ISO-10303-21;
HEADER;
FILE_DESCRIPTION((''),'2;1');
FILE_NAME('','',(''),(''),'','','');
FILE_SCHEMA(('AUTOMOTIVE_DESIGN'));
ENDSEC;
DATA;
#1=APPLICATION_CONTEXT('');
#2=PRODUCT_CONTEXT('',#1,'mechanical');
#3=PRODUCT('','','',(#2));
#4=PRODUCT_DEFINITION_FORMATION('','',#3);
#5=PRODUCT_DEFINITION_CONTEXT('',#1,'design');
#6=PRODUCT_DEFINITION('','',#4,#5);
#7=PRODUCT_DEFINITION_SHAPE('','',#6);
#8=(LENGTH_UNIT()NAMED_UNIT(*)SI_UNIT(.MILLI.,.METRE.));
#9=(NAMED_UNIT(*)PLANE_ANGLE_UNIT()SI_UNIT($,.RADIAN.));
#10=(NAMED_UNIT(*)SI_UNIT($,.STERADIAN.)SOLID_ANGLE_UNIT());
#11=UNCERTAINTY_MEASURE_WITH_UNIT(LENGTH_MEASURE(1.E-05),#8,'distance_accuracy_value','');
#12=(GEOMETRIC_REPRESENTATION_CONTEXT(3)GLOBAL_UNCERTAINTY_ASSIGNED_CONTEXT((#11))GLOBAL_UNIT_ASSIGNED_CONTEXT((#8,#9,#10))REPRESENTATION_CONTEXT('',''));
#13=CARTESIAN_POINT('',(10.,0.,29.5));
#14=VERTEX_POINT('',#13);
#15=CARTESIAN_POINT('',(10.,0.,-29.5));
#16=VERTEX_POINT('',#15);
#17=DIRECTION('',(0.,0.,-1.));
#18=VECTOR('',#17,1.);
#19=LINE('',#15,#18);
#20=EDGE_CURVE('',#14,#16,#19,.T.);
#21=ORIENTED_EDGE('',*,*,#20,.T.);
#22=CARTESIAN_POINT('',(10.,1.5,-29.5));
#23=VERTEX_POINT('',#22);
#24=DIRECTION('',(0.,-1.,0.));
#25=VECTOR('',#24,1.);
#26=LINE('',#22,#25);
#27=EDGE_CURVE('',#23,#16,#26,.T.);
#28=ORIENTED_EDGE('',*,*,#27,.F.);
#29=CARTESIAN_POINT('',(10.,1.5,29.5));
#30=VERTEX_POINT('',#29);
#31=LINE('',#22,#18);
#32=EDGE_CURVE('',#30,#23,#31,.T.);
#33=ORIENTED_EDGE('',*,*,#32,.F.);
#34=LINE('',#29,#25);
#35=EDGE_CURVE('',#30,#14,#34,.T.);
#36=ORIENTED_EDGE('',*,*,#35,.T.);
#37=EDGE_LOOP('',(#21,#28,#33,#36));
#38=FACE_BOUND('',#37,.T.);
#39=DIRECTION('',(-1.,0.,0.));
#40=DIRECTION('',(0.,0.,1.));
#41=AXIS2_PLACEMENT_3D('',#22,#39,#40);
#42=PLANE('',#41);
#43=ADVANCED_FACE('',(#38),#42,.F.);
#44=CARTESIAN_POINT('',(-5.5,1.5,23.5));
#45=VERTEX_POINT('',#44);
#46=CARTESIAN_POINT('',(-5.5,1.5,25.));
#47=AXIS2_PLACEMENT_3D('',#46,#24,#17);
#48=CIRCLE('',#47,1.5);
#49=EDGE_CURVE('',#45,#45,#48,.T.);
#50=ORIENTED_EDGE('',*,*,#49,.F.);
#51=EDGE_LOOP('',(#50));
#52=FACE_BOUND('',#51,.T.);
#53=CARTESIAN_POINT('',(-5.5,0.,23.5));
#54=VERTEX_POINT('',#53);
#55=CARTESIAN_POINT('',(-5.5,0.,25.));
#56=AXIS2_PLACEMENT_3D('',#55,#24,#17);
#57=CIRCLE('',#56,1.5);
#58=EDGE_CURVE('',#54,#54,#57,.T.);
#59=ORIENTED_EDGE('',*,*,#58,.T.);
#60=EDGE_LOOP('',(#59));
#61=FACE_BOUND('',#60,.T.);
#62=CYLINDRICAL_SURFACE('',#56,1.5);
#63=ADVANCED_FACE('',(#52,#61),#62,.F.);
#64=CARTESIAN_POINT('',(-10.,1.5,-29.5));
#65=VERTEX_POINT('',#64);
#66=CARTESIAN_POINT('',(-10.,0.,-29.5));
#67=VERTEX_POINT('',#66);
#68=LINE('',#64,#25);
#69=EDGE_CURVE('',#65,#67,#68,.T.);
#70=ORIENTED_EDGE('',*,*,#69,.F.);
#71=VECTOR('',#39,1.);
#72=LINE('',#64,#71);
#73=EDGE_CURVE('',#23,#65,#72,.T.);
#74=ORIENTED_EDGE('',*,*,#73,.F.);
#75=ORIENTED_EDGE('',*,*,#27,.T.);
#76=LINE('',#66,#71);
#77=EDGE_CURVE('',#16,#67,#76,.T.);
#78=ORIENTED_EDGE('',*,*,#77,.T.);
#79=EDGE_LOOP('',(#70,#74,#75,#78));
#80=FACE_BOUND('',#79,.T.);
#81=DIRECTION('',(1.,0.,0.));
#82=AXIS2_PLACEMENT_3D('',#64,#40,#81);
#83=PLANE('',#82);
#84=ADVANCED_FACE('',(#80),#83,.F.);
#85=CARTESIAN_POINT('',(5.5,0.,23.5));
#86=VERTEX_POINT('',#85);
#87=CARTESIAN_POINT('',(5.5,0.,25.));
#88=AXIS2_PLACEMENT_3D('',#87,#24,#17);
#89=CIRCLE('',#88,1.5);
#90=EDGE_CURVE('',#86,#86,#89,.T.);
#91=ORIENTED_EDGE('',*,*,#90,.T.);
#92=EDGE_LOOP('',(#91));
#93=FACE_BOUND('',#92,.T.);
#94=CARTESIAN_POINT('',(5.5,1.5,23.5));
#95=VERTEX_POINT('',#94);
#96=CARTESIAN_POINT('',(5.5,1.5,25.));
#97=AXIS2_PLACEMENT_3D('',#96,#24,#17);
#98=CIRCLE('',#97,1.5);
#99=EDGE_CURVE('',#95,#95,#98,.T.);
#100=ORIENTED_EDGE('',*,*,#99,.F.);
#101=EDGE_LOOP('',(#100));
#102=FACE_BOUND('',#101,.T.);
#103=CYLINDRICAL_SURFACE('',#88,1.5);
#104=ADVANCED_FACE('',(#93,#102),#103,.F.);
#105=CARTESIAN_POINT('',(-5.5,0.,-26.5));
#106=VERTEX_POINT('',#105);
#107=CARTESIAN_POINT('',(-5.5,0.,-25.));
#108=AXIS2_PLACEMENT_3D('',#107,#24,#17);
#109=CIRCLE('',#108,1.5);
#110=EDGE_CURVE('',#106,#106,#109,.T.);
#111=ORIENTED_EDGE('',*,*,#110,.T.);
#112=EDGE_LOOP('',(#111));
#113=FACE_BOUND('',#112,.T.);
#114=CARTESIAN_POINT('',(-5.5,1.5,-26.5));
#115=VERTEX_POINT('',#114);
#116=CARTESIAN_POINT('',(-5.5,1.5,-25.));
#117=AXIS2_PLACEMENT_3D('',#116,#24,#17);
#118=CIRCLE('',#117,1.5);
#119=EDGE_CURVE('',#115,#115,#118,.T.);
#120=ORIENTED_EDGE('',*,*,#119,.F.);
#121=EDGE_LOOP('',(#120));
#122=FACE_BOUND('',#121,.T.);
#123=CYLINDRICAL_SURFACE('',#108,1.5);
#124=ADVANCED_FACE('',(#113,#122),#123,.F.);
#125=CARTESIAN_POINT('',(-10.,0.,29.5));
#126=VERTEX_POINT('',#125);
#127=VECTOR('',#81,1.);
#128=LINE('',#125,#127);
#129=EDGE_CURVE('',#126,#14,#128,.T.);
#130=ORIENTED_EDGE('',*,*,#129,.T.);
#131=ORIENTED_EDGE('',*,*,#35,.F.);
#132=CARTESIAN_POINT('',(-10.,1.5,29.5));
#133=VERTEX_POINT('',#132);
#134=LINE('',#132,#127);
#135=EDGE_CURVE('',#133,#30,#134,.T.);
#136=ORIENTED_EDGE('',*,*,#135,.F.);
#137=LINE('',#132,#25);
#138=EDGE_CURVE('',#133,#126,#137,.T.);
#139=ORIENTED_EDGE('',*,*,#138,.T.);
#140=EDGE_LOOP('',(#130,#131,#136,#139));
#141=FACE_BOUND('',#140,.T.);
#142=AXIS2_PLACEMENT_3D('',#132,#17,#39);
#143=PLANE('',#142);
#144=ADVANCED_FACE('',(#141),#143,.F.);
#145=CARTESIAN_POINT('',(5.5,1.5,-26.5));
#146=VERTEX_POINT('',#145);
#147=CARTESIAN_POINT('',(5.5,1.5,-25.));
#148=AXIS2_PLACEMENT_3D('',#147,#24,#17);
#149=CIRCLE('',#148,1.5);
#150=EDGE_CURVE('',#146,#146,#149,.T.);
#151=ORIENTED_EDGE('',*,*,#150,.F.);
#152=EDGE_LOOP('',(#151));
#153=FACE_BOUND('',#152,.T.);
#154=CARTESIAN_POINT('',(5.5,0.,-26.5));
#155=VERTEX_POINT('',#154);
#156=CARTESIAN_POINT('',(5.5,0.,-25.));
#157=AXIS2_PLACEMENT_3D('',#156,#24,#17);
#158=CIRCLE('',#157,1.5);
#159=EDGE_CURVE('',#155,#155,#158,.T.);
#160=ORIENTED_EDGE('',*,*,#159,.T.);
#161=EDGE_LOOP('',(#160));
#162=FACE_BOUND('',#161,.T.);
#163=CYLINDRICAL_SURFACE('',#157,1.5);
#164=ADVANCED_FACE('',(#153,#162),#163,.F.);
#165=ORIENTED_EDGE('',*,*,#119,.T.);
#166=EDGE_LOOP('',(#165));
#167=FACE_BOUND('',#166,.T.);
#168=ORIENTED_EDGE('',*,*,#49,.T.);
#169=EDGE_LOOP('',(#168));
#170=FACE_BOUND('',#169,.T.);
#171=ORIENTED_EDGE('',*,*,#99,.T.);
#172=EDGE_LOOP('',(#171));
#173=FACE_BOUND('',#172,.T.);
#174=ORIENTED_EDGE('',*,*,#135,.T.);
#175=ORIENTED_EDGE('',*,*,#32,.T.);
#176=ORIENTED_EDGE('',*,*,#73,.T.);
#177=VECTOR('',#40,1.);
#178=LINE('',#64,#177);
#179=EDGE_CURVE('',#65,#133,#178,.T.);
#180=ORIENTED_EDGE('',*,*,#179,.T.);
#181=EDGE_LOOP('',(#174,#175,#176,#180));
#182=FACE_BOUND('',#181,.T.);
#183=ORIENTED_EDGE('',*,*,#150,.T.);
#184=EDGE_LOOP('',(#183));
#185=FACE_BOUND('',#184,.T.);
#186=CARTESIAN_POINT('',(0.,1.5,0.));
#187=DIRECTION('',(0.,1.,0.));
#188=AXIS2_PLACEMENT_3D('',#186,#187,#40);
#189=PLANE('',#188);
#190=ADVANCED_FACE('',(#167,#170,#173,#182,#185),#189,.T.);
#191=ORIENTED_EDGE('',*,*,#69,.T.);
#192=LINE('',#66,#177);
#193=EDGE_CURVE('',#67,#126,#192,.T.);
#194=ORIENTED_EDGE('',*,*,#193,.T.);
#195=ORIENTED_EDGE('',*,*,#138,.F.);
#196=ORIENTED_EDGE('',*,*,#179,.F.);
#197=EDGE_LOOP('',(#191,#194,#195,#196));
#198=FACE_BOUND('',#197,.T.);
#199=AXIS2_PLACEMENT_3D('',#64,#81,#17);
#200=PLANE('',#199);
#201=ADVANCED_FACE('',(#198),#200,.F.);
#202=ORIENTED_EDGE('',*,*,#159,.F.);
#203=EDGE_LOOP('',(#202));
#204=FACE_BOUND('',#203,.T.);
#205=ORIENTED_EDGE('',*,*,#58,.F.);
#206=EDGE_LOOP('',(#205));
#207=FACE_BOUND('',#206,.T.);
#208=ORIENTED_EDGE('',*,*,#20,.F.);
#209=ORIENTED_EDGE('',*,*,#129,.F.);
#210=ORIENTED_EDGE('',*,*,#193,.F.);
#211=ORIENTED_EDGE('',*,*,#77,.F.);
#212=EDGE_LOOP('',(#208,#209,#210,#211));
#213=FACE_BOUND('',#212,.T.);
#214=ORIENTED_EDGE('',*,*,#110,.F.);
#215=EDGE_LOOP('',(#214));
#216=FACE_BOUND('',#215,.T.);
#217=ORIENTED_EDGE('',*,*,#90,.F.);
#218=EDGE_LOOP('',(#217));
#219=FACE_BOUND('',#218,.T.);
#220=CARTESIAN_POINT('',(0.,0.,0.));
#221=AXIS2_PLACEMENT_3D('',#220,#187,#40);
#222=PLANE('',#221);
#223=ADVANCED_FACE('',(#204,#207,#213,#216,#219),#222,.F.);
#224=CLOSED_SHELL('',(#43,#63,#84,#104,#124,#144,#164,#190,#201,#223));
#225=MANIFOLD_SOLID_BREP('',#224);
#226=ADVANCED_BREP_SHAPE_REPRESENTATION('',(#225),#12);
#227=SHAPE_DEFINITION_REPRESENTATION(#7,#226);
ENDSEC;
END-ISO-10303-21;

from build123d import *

# Parameters (mm, degrees)
SKETCH_1_W         = 20
SKETCH_1_H         = 59
EXTRUDE_1_DEPTH    = 1.5
HOLE_WIZARD_M3_1_D = 3


with BuildPart() as part:
    # 草图1 → 凸台-拉伸1 (new body)
    with BuildSketch(Plane(origin=(0, 0, 0), x_dir=(1, 0, 0), z_dir=(0, 1, 0))):
        Rectangle(SKETCH_1_W, SKETCH_1_H)
    extrude(amount=EXTRUDE_1_DEPTH)

    # M3 螺纹孔1 (through all)
    with Locations(Plane(origin=(-5.5, 0, 25), x_dir=(0, 0, -1), z_dir=(0, -1, 0))):
        with Locations((0, 0), (0, 11), (50, 0), (50, 11)):
            Hole(HOLE_WIZARD_M3_1_D / 2)


solid = part.part
